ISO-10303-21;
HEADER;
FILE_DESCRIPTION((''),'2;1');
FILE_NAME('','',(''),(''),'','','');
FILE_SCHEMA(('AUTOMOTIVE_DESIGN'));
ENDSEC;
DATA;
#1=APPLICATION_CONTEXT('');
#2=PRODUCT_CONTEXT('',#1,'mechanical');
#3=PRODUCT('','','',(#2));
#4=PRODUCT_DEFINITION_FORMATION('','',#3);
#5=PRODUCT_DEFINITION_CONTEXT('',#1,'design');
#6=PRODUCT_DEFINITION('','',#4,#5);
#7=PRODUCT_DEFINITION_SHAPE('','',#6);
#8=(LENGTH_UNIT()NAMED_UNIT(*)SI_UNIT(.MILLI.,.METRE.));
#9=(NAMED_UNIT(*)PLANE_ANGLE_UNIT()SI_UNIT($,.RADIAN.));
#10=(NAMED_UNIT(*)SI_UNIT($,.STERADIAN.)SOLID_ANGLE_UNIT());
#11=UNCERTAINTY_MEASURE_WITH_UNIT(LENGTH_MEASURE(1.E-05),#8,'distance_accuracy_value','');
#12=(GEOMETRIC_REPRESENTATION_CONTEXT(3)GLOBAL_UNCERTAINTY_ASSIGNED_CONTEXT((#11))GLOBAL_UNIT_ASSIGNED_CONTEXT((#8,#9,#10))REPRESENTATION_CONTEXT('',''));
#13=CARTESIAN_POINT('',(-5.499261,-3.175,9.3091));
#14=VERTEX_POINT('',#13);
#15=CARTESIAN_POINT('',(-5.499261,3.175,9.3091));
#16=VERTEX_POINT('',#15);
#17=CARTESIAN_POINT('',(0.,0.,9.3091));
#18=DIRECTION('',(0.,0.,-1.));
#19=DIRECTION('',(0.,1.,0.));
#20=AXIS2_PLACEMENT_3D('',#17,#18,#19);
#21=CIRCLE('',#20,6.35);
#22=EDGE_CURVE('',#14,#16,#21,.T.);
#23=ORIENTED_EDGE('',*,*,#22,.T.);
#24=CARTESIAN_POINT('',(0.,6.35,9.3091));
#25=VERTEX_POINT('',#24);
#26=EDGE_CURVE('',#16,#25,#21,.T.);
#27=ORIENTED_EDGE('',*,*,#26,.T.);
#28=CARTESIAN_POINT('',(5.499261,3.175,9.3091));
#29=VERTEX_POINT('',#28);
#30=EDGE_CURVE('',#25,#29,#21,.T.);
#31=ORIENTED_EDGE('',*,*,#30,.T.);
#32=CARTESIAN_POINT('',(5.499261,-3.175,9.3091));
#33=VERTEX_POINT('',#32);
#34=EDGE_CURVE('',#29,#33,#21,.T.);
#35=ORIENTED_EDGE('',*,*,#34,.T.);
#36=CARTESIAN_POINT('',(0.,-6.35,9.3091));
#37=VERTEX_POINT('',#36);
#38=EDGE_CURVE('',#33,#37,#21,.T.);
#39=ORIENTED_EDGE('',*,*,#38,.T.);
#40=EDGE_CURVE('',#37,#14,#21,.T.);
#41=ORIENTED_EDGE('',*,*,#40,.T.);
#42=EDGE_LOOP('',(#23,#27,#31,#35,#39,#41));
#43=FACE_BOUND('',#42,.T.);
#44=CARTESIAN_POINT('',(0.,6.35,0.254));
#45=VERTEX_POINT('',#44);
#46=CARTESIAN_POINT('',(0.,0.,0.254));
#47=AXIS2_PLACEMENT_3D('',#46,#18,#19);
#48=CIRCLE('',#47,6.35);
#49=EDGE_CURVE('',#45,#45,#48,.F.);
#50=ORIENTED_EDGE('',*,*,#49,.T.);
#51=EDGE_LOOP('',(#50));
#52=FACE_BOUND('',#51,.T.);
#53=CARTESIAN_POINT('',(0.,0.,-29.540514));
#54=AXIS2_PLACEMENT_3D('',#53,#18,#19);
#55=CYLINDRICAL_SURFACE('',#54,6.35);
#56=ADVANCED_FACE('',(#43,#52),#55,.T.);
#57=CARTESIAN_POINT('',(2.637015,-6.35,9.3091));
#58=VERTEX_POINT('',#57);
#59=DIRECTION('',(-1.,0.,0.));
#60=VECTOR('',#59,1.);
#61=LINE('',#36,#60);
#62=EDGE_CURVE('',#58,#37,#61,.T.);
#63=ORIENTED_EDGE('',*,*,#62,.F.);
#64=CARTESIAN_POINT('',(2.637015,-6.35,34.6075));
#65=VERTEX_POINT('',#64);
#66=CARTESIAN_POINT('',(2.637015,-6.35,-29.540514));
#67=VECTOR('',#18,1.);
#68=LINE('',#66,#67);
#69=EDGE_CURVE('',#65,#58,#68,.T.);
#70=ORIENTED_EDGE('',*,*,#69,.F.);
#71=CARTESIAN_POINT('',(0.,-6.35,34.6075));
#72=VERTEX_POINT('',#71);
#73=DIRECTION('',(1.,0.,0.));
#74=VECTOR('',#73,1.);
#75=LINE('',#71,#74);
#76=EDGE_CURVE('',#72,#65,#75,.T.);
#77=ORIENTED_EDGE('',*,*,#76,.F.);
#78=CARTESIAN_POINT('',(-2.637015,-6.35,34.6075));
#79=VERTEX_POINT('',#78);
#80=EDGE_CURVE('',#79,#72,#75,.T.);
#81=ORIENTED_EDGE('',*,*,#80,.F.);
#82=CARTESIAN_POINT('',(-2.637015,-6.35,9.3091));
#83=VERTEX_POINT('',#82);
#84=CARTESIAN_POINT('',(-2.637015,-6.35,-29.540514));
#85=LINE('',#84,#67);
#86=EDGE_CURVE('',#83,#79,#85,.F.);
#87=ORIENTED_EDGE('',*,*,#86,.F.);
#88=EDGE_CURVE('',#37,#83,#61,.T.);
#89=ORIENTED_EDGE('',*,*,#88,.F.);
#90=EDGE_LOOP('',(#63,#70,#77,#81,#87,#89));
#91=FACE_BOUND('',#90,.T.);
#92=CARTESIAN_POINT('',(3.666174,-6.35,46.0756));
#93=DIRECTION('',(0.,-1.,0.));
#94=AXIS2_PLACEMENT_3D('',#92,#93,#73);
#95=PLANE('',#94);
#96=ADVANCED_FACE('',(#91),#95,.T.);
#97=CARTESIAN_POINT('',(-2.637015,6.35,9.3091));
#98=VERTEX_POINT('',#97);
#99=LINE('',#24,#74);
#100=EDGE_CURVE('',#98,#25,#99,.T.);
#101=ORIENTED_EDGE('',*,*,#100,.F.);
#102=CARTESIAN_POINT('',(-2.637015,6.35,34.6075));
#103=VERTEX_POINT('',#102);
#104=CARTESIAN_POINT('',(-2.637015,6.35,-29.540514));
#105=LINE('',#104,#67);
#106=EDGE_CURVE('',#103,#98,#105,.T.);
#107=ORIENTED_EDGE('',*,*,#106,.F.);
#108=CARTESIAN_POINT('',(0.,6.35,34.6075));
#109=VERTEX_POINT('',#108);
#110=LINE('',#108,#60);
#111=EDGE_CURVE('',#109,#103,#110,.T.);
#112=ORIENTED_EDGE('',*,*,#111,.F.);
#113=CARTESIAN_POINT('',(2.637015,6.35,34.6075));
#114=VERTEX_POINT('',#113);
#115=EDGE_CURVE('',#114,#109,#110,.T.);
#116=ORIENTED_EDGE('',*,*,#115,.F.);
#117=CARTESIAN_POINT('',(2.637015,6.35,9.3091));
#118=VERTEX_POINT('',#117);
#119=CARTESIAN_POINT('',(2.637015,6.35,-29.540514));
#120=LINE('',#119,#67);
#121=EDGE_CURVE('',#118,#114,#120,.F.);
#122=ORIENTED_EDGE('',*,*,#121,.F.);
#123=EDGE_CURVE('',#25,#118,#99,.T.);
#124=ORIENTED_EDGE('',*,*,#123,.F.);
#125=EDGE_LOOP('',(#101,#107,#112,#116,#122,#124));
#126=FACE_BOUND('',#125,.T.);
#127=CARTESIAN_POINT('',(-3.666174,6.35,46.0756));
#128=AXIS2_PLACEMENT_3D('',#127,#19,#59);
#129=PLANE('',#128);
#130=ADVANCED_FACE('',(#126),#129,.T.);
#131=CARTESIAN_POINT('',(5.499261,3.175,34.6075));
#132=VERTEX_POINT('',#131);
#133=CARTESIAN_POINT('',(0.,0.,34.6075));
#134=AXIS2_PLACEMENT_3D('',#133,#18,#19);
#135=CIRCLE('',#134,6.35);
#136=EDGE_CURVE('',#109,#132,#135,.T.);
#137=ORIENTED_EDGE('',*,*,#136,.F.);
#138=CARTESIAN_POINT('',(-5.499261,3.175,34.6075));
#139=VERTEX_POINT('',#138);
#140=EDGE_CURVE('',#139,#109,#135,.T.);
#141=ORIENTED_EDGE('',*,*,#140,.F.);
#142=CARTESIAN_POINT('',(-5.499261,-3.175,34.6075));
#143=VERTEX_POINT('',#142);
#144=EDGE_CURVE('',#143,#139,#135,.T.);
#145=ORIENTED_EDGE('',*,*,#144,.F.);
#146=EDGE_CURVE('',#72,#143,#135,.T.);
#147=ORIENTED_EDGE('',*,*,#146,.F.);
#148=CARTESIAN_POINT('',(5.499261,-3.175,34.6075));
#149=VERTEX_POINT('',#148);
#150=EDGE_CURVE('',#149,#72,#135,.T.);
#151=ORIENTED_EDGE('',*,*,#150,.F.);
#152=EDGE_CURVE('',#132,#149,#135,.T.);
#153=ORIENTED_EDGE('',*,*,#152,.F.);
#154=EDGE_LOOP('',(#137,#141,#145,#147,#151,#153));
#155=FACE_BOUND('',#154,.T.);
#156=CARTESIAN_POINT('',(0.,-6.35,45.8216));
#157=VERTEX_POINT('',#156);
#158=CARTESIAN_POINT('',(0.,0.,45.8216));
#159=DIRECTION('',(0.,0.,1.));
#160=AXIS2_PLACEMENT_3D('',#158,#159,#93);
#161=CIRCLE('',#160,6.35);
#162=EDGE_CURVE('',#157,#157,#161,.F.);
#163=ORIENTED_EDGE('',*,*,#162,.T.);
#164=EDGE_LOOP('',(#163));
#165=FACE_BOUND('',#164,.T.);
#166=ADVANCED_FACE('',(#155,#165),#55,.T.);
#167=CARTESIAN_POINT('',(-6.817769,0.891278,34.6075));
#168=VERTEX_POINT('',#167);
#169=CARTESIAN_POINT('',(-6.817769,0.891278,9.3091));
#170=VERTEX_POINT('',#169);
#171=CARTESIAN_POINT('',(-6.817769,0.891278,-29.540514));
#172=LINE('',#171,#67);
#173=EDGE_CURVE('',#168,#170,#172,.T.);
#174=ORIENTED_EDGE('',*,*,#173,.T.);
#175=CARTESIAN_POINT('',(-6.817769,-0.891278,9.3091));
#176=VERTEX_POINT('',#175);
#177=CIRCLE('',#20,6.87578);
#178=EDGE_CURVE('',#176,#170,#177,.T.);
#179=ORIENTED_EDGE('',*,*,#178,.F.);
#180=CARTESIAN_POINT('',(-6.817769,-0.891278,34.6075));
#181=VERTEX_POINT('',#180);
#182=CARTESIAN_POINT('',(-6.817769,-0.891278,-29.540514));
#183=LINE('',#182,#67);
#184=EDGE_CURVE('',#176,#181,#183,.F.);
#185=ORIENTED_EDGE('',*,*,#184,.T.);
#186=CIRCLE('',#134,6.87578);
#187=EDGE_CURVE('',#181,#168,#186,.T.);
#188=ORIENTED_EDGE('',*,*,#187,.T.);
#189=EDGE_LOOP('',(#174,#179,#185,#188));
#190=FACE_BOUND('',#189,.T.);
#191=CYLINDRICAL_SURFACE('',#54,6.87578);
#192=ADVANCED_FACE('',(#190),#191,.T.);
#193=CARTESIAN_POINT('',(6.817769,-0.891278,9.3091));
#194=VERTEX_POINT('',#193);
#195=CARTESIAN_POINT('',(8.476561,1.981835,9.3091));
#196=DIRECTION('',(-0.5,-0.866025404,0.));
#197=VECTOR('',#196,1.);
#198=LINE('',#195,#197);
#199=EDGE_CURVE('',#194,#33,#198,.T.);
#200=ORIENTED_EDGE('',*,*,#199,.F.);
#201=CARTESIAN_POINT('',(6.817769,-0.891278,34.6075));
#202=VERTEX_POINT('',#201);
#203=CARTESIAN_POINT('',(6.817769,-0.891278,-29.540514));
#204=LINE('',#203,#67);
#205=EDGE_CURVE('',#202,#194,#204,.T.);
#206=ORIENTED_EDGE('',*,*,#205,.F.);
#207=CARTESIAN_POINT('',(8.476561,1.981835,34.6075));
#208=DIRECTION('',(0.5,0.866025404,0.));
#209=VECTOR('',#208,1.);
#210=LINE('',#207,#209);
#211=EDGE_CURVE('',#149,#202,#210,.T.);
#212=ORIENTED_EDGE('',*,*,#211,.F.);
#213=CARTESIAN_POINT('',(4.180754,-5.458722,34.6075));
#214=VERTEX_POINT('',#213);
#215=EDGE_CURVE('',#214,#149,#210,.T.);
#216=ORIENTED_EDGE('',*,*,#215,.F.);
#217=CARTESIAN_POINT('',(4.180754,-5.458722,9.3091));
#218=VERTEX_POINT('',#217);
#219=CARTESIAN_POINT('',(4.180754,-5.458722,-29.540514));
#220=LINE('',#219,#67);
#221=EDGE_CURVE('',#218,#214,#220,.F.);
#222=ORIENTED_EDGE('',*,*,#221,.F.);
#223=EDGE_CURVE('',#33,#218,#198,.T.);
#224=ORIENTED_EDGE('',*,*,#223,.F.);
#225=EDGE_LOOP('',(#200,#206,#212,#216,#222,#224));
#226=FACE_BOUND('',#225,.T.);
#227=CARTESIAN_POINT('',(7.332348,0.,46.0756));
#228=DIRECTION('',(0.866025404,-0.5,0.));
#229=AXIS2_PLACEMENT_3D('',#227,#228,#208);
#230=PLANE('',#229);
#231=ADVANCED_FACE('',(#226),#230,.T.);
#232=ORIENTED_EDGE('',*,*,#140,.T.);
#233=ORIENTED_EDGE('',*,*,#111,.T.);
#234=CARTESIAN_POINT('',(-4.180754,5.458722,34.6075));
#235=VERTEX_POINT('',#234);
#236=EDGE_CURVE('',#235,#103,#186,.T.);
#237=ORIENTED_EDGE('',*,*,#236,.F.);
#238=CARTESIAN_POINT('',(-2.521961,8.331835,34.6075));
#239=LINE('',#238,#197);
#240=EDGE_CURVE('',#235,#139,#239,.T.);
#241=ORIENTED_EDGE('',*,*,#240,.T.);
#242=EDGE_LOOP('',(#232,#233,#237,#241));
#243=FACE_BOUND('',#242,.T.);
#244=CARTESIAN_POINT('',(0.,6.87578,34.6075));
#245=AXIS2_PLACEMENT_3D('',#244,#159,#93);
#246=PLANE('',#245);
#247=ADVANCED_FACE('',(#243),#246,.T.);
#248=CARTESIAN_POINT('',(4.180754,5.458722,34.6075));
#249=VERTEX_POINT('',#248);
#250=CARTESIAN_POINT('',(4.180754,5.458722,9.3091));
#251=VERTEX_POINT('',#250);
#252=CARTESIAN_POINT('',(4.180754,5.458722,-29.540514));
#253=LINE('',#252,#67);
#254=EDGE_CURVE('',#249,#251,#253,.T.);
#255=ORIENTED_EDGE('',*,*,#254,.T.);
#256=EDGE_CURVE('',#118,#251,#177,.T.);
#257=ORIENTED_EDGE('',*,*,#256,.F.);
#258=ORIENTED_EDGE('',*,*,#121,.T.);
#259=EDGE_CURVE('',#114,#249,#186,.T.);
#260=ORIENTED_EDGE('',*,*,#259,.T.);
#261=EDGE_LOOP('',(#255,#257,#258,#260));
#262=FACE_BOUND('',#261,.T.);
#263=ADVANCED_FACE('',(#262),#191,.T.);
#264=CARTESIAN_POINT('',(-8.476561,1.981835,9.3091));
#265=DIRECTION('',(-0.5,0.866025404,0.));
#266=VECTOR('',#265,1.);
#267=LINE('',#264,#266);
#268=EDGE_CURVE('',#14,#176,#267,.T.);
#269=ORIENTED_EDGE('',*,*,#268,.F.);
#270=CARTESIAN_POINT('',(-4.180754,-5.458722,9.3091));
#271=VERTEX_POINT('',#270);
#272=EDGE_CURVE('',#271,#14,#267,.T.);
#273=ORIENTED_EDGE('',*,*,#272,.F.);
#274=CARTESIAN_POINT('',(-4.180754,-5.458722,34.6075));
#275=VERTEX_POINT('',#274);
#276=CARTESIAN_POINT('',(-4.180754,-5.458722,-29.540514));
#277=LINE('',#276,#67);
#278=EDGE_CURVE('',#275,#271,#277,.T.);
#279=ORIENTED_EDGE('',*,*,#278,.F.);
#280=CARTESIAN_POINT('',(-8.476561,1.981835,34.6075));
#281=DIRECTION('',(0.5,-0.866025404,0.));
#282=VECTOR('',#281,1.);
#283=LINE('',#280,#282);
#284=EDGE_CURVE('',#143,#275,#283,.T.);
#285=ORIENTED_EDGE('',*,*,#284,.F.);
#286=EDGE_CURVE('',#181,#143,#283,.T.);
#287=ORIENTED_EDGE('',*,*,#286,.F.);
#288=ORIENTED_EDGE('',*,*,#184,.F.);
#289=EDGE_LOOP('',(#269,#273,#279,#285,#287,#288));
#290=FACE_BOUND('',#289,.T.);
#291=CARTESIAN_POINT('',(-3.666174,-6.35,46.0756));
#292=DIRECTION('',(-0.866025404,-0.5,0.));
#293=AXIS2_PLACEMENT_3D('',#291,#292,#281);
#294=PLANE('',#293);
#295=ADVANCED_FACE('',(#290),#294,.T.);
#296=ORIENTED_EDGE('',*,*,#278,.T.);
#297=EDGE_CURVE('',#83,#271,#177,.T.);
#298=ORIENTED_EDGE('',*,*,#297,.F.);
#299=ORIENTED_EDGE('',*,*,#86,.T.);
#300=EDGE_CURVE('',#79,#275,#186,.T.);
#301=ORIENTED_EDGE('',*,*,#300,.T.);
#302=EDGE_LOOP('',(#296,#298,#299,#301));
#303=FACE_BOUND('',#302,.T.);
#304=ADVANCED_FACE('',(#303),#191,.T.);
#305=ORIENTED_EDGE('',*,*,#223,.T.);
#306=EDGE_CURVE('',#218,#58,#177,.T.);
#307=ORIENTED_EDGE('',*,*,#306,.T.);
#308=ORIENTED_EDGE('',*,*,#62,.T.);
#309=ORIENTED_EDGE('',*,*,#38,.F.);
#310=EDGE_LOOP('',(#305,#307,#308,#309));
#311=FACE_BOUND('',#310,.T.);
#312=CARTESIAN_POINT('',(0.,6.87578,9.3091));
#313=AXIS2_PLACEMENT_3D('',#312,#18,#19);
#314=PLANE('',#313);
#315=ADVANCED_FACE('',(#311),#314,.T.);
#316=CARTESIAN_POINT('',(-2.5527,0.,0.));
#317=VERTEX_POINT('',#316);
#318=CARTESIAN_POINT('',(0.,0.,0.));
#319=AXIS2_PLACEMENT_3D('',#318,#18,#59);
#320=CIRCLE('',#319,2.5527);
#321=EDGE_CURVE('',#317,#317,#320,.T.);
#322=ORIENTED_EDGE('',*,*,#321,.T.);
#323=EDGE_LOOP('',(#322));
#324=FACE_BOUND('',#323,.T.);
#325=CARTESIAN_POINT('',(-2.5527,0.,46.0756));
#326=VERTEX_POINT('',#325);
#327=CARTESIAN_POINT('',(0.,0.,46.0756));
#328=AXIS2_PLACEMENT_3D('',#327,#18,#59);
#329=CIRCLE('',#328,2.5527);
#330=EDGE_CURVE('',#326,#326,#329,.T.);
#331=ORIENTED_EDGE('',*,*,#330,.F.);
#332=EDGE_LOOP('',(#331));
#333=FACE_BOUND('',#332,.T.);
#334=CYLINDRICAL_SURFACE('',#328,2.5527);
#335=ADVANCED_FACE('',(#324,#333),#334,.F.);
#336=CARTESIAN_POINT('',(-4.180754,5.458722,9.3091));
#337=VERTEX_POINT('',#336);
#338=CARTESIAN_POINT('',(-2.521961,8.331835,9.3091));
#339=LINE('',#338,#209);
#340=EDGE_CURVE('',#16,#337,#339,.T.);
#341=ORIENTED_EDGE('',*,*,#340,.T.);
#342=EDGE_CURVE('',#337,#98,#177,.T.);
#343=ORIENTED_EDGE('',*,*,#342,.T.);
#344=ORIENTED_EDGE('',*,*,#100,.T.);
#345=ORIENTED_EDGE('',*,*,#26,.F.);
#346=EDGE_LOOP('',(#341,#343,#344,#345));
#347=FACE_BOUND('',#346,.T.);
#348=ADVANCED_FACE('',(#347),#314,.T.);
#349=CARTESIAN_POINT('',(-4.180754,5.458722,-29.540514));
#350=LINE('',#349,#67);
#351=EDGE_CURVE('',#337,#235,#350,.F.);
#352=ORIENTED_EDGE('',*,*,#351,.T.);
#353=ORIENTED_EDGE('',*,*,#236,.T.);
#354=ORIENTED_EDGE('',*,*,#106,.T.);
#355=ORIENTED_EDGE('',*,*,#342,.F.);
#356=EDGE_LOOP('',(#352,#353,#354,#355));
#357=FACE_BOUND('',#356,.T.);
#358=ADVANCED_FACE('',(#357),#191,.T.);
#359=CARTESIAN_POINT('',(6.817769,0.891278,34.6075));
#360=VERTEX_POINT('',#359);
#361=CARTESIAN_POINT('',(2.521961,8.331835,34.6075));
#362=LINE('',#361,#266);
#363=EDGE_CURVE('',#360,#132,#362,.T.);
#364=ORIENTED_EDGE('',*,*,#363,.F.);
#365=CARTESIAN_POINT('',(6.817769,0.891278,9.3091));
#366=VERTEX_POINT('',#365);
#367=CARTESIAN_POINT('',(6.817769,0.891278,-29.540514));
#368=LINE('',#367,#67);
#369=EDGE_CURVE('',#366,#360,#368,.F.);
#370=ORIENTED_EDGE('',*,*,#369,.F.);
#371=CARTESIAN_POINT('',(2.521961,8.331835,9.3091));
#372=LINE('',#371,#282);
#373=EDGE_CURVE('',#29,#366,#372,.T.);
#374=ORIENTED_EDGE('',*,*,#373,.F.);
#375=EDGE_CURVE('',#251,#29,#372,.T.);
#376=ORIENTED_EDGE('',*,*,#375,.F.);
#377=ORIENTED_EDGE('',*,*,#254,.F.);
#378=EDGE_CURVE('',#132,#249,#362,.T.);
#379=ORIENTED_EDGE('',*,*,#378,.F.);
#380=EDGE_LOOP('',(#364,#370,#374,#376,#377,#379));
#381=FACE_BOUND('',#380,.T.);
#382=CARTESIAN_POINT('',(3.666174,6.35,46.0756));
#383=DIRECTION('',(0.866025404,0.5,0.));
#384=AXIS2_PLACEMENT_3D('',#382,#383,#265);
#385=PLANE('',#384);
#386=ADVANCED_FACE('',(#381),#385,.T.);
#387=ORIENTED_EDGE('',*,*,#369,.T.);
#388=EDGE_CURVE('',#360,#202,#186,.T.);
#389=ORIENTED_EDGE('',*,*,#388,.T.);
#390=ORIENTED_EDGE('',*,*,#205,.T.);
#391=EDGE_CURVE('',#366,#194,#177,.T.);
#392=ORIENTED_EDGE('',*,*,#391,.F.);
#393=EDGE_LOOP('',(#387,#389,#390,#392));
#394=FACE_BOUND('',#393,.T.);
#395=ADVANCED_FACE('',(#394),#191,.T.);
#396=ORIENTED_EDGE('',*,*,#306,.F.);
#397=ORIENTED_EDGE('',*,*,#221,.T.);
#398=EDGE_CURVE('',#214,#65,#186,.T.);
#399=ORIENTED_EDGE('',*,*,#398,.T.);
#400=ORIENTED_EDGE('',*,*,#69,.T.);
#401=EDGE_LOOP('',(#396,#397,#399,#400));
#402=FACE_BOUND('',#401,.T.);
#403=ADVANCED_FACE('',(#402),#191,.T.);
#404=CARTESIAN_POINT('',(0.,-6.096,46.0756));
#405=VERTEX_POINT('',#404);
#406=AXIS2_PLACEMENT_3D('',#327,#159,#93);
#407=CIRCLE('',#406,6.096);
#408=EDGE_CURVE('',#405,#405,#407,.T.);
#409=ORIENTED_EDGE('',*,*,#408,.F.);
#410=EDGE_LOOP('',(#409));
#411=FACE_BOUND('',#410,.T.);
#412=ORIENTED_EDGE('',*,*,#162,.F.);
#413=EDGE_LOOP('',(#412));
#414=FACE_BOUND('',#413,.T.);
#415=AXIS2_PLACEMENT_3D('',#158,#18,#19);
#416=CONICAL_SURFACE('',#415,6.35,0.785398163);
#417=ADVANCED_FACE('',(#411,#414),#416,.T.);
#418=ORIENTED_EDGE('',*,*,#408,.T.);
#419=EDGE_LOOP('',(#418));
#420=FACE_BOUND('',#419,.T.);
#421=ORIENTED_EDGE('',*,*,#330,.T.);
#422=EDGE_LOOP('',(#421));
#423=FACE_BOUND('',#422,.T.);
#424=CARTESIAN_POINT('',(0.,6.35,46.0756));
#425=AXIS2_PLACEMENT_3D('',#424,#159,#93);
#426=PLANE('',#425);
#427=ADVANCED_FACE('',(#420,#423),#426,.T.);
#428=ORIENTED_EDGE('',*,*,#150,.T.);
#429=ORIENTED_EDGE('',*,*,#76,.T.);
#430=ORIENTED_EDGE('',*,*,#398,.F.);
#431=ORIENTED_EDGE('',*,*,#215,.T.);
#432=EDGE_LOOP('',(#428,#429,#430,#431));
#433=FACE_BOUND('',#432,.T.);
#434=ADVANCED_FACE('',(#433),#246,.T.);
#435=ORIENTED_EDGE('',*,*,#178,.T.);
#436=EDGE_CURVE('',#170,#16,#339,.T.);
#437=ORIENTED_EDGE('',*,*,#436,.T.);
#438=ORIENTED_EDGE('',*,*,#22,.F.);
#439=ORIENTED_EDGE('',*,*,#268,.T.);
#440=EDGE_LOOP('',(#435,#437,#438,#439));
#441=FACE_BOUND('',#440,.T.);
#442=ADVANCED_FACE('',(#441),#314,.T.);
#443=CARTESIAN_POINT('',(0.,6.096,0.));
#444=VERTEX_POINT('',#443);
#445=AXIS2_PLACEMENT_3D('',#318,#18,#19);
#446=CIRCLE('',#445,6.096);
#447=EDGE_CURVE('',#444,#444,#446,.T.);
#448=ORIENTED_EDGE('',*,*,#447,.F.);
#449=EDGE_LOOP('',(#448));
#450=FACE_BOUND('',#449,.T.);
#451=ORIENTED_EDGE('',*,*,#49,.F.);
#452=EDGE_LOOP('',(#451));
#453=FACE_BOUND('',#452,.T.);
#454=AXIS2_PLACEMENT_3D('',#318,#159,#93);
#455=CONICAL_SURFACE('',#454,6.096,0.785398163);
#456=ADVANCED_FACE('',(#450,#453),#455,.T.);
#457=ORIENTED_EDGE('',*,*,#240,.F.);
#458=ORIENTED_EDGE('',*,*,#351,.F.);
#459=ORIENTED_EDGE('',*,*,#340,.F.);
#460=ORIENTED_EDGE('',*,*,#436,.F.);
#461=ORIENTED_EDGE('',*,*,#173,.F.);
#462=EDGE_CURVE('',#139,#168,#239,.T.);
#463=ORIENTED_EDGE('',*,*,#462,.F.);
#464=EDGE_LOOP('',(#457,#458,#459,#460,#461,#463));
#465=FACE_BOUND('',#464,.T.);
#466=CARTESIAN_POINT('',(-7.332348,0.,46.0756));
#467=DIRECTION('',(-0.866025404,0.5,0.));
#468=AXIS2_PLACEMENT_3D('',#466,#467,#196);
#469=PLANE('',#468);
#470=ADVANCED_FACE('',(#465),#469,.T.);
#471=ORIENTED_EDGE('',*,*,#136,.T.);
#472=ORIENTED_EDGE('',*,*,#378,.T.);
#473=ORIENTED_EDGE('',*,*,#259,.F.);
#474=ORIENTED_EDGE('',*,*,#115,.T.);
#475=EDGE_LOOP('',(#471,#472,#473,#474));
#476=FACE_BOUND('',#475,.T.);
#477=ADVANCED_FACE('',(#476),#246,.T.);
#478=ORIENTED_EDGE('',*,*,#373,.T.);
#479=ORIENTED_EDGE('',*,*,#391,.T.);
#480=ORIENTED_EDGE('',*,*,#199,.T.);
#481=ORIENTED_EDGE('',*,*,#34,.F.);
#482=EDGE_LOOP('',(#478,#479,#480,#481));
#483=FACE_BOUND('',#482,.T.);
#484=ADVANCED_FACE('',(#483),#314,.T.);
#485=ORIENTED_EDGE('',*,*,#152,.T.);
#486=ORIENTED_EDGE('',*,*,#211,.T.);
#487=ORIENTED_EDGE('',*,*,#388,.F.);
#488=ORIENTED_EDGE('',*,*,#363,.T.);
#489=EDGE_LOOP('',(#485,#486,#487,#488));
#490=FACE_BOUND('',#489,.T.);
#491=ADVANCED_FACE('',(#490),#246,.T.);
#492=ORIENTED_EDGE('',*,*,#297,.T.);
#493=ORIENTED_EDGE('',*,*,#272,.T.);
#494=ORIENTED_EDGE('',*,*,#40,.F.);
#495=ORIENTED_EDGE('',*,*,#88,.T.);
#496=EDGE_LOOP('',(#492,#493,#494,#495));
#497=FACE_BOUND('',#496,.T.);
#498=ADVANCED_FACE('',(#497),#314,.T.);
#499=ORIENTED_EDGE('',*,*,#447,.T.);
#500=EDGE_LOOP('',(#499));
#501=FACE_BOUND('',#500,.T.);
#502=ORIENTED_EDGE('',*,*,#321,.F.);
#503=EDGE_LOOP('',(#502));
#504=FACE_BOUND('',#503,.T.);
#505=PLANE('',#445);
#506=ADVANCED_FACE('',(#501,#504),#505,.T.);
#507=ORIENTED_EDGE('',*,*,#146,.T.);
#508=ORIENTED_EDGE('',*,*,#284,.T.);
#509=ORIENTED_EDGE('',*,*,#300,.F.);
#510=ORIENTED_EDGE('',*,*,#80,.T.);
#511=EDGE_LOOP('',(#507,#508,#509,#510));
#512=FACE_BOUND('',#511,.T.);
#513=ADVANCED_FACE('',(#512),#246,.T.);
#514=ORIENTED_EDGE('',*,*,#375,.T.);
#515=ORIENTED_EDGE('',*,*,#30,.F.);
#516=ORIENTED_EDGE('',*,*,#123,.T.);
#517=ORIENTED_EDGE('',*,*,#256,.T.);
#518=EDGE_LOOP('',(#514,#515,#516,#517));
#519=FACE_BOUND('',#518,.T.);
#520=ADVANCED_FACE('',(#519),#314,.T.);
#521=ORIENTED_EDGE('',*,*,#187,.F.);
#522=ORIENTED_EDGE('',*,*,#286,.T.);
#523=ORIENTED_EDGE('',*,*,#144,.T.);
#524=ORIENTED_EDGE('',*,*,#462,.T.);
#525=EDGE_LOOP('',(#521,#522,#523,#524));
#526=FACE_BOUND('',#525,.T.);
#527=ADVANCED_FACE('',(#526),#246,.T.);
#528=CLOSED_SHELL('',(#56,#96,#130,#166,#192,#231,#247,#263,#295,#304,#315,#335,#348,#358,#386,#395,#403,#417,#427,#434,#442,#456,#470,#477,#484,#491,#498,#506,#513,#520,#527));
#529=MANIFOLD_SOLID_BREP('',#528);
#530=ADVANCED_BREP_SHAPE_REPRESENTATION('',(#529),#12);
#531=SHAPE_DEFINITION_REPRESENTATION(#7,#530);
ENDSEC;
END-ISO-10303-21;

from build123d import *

# Parameters (mm, degrees)
SKETCH2_OUTSIDE_W  = 25.754
SKETCH2_OUTSIDE_H  = 25.754
SKETCH2_OUTSIDE_R  = 2.5527
CUT_EXTRUDE3_DEPTH = 48.090483291
CHAMFER1_SIZE      = 0.254


with BuildPart() as part:
    # Sketch1 → Revolve1 (revolve)
    with BuildSketch(Plane(origin=(0, 0, 0), x_dir=(0, 0, -1), z_dir=(1, 0, 0))):
        Polygon((0, 0), (-46.0756, 0), (-46.0756, 6.35), (-34.6075, 6.35), (-34.6075, 6.87578), (-9.3091, 6.87578), (-9.3091, 6.35), (0, 6.35), align=None)
    revolve(axis=Axis((0, 0, -29.540514156), (0, 0, 1)))

    # Sketch2 outside → Cut-Extrude3 (cut, through all)
    # profile 1 of 2: a face of its own
    with BuildSketch(Plane(origin=(0, 0, 0), x_dir=(-1, 0, 0), z_dir=(0, 0, -1))):
        Rectangle(SKETCH2_OUTSIDE_W, SKETCH2_OUTSIDE_H)
        Polygon((3.666174209, -6.35), (7.332348419, 0), (3.666174209, 6.35), (-3.666174209, 6.35), (-7.332348419, 0), (-3.666174209, -6.35), align=None, mode=Mode.SUBTRACT)
    # profile 2 of 2: a face of its own
    with BuildSketch(Plane(origin=(0, 0, 0), x_dir=(-1, 0, 0), z_dir=(0, 0, -1))):
        Circle(SKETCH2_OUTSIDE_R)
    extrude(amount=-CUT_EXTRUDE3_DEPTH, mode=Mode.SUBTRACT)

    # Chamfer1
    chamfer1_edges = [part.edges().sort_by_distance(p)[0] for p in [
        (0, -6.35, 0),
        (0, -6.35, 46.0756),
    ]]
    chamfer(chamfer1_edges, length=CHAMFER1_SIZE)


solid = part.part
